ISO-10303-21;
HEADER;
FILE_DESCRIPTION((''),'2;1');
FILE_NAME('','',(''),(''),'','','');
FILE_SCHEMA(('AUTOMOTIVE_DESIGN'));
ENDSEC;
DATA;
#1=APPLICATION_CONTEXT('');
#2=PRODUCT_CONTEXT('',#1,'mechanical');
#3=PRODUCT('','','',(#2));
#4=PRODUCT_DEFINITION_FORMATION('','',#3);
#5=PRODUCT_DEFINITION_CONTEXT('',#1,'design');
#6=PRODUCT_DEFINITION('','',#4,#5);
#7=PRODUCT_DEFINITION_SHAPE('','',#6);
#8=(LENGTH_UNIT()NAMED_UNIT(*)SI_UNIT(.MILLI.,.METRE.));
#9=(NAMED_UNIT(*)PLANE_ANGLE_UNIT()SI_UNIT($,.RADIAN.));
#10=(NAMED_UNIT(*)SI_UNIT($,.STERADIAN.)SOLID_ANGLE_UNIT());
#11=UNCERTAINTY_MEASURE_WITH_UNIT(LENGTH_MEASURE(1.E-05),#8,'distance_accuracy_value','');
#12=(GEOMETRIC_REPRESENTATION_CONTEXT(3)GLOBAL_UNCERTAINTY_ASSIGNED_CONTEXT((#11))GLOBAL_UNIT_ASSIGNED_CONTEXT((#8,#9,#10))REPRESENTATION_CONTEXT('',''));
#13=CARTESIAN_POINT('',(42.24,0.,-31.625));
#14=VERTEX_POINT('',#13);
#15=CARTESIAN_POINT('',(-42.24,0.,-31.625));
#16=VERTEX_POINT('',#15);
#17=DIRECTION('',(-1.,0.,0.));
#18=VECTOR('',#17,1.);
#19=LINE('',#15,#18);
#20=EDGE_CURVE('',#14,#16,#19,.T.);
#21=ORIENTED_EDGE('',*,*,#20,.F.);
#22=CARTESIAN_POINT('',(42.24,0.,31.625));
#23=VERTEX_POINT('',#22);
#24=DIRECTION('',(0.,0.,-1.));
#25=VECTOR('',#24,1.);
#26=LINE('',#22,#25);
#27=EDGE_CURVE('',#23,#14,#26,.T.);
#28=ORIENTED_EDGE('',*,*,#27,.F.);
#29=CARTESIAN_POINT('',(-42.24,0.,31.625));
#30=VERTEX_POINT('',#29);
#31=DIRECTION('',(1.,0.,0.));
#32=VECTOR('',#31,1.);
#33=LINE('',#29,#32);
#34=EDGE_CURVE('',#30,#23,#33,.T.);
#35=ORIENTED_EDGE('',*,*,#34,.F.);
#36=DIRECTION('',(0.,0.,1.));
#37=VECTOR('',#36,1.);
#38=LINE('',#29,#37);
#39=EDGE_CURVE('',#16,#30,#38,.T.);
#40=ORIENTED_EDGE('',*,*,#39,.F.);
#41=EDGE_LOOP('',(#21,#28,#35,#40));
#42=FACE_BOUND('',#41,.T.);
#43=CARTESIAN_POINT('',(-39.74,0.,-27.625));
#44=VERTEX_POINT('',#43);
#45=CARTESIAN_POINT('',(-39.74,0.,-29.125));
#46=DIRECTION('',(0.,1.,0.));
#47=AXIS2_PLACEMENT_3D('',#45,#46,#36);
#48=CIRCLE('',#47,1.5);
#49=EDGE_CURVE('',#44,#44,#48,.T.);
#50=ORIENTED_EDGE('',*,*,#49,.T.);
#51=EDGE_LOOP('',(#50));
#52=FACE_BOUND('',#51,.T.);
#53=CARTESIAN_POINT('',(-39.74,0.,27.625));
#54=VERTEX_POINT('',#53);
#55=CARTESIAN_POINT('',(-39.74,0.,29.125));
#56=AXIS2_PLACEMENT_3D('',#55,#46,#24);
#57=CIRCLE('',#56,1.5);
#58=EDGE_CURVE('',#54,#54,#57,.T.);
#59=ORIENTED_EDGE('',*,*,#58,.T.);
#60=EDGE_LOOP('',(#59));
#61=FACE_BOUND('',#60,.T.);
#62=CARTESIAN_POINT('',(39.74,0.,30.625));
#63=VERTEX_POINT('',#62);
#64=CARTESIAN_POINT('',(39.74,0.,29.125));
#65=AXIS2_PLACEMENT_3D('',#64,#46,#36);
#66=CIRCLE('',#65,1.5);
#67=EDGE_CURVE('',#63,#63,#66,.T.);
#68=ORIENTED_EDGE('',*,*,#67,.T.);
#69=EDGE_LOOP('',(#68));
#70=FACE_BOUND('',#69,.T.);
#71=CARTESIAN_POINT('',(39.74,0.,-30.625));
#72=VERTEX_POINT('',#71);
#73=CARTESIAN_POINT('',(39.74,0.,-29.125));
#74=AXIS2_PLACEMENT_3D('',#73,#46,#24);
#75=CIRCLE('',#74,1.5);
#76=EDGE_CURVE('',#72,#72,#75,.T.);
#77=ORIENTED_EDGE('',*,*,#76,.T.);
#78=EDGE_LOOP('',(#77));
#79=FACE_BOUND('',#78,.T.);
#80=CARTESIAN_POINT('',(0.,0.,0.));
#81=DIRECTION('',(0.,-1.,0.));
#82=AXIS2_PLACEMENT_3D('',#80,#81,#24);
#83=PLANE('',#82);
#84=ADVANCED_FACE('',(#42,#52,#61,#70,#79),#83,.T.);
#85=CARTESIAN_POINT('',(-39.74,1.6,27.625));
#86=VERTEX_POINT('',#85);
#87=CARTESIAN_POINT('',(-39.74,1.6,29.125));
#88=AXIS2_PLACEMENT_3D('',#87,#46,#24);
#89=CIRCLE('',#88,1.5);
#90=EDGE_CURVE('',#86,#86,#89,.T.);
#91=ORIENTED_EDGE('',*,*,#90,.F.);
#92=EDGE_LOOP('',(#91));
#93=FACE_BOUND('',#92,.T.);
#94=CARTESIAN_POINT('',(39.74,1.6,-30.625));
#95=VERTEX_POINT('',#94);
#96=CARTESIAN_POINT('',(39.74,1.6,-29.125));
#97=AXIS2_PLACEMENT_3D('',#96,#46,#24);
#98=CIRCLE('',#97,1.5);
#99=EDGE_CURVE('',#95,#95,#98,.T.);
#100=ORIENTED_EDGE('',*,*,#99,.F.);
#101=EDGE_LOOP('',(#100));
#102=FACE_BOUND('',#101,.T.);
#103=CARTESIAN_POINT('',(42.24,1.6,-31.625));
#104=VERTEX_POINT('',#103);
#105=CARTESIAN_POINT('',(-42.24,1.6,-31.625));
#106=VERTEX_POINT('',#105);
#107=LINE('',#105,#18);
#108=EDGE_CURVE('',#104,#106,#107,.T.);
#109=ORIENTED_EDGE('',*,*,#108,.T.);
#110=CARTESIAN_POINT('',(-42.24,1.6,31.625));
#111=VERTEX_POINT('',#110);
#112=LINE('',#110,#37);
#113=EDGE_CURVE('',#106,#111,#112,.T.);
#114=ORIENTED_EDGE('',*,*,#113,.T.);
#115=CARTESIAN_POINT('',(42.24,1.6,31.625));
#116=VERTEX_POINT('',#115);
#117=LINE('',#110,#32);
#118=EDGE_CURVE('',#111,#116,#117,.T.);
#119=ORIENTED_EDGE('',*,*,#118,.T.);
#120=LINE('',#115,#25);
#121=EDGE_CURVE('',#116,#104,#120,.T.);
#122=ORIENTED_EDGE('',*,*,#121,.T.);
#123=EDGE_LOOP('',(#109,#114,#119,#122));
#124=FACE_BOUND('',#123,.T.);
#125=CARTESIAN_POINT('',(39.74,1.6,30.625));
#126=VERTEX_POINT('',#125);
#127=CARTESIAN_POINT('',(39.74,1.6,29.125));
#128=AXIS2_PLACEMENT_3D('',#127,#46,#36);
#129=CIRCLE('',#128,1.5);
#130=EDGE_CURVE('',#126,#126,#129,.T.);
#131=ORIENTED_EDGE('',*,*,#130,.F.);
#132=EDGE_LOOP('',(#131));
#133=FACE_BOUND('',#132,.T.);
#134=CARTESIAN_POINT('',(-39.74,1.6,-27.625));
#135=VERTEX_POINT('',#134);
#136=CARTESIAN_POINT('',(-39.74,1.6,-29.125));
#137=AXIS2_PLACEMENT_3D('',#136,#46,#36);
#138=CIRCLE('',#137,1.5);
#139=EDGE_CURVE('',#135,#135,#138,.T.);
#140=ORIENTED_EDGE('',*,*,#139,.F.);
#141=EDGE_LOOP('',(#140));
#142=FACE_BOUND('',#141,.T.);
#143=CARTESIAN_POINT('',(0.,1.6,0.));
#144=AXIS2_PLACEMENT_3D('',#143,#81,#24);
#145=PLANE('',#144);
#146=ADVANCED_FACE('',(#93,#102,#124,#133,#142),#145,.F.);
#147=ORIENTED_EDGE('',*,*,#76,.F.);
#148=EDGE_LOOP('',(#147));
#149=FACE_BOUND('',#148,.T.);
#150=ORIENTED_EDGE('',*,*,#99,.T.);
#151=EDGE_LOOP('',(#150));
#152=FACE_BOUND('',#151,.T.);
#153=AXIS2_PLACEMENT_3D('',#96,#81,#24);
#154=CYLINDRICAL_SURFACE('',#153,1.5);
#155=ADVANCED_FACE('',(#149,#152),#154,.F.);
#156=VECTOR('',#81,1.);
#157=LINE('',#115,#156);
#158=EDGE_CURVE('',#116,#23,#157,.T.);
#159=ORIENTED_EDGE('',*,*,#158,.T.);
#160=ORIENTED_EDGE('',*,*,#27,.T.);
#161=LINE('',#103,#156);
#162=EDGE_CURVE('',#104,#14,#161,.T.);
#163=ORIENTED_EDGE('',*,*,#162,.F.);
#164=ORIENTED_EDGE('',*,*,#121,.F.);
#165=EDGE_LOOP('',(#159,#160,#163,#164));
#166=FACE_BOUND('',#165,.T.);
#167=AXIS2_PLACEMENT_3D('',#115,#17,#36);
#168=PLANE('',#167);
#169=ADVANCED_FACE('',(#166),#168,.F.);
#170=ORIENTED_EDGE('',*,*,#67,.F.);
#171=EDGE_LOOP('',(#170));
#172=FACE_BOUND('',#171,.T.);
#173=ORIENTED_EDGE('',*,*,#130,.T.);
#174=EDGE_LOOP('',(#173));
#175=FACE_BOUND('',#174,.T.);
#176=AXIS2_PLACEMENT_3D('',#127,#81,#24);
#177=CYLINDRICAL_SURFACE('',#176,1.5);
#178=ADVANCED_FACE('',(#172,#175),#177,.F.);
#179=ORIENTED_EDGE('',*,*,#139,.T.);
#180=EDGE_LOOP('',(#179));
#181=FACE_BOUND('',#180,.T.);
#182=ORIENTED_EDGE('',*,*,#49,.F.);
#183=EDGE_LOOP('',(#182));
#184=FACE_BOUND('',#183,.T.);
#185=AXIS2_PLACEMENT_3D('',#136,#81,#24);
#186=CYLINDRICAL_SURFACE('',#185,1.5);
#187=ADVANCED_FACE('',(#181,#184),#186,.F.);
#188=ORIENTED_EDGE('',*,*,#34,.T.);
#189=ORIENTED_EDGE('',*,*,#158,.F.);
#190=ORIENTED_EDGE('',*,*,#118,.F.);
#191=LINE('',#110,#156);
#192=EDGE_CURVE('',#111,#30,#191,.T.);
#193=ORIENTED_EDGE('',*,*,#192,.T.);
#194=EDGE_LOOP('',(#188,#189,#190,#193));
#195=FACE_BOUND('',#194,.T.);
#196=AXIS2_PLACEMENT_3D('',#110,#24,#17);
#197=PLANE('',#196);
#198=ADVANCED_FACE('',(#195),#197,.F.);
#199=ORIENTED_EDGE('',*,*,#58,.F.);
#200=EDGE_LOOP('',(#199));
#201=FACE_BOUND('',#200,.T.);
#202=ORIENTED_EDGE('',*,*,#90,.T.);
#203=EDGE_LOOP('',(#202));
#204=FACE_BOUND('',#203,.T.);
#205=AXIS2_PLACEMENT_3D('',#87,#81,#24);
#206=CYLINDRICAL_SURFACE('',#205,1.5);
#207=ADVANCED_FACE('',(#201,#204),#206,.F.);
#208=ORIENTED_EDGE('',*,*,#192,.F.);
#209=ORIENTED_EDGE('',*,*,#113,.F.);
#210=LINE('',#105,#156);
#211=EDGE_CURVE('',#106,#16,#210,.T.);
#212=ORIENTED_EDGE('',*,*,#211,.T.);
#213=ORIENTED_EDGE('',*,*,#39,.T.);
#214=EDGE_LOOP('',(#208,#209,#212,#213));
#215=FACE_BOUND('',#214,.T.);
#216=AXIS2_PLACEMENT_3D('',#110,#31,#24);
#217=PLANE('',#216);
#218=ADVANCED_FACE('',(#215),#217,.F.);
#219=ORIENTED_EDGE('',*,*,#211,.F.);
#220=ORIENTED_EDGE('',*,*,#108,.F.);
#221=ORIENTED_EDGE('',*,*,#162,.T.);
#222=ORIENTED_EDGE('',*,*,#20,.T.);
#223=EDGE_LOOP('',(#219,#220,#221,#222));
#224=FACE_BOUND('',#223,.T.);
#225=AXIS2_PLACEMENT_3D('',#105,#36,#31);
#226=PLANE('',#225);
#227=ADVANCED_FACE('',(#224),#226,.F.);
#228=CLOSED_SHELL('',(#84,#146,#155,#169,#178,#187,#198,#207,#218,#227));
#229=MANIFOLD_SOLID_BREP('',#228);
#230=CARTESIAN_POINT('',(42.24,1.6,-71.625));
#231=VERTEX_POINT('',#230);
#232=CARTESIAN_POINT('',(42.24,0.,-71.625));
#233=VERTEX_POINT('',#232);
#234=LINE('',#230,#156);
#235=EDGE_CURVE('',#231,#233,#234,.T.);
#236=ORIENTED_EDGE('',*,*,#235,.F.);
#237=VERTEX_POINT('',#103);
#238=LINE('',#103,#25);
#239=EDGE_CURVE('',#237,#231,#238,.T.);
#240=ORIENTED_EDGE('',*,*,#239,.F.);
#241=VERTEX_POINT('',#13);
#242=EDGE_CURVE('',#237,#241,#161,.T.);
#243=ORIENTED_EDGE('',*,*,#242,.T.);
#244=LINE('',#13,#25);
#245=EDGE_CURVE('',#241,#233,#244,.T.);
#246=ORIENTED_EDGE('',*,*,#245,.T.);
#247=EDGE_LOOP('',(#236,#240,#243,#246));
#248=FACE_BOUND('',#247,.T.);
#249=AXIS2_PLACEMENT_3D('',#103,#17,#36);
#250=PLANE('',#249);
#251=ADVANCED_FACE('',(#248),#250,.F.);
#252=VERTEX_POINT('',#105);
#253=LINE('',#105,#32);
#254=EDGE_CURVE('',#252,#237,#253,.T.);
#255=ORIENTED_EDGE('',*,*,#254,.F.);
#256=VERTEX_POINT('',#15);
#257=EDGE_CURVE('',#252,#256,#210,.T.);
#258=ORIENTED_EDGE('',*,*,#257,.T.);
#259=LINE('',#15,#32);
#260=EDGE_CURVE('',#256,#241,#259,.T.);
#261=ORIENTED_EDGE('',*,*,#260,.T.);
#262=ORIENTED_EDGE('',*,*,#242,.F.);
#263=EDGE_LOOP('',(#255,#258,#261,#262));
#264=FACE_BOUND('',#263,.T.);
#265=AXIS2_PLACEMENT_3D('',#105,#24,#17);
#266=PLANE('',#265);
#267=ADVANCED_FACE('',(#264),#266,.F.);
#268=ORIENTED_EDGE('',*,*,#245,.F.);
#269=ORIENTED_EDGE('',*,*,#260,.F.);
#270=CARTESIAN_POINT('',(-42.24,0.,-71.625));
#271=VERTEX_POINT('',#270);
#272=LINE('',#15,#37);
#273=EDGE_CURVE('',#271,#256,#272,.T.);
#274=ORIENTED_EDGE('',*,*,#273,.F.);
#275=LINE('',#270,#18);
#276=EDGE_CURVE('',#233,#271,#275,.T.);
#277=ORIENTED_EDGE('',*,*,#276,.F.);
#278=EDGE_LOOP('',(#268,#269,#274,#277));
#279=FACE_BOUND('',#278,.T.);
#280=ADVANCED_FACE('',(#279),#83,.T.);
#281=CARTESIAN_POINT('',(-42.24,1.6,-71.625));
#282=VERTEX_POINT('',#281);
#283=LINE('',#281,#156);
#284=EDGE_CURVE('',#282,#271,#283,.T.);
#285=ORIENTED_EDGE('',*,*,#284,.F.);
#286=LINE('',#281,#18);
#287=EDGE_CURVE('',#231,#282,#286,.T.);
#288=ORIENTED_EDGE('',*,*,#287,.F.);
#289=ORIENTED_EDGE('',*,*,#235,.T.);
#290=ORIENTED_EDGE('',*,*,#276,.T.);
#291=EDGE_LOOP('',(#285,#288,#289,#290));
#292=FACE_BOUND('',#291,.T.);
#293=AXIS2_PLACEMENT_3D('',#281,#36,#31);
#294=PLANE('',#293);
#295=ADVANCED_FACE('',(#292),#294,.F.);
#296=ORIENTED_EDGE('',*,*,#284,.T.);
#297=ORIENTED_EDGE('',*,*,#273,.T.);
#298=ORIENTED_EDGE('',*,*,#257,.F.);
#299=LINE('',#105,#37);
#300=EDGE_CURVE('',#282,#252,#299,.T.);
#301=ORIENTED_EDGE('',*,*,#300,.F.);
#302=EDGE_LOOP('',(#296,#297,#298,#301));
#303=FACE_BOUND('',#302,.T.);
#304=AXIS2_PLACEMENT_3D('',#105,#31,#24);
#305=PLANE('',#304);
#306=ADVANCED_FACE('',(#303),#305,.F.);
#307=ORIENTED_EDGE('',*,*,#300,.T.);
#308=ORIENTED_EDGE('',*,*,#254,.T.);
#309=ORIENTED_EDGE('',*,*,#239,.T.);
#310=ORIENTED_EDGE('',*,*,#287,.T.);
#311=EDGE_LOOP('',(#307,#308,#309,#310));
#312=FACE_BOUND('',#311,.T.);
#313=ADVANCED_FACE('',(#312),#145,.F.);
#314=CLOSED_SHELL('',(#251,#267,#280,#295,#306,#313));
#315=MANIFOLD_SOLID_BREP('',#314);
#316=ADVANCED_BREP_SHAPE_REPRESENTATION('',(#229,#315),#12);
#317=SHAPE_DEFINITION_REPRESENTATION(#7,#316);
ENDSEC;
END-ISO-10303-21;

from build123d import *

# Parameters (mm, degrees)
SKETCH1_W           = 84.48
SKETCH1_H           = 63.25
SKETCH1_R           = 1.5
BOSS_EXTRUDE1_DEPTH = 1.6
SKETCH2_W           = 84.48
SKETCH2_H           = 40
BOSS_EXTRUDE2_DEPTH = 1.6


with BuildPart() as part:
    # Sketch1 → Boss-Extrude1 (new body)
    with BuildSketch(Plane(origin=(0, 0, 0), x_dir=(1, 0, 0), z_dir=(0, 1, 0))):
        Rectangle(SKETCH1_W, SKETCH1_H)
        with Locations(Location((-39.74, 29.125, 0), (0, 0, 270))):
            Circle(SKETCH1_R, mode=Mode.SUBTRACT)
        with Locations(Location((-39.74, -29.125, 0), (0, 0, 90))):
            Circle(SKETCH1_R, mode=Mode.SUBTRACT)
        with Locations(Location((39.74, -29.125, 0), (0, 0, 270))):
            Circle(SKETCH1_R, mode=Mode.SUBTRACT)
        with Locations(Location((39.74, 29.125, 0), (0, 0, 90))):
            Circle(SKETCH1_R, mode=Mode.SUBTRACT)
    extrude(amount=BOSS_EXTRUDE1_DEPTH)


with BuildPart() as body_2:
    # Sketch2 → Boss-Extrude2 (new body)
    with BuildSketch(Plane(origin=(0, 0, 0), x_dir=(1, 0, 0), z_dir=(0, 1, 0))):
        with Locations((0, 51.625)):
            Rectangle(SKETCH2_W, SKETCH2_H)
    extrude(amount=BOSS_EXTRUDE2_DEPTH)


solid = Compound([part.part, body_2.part])
